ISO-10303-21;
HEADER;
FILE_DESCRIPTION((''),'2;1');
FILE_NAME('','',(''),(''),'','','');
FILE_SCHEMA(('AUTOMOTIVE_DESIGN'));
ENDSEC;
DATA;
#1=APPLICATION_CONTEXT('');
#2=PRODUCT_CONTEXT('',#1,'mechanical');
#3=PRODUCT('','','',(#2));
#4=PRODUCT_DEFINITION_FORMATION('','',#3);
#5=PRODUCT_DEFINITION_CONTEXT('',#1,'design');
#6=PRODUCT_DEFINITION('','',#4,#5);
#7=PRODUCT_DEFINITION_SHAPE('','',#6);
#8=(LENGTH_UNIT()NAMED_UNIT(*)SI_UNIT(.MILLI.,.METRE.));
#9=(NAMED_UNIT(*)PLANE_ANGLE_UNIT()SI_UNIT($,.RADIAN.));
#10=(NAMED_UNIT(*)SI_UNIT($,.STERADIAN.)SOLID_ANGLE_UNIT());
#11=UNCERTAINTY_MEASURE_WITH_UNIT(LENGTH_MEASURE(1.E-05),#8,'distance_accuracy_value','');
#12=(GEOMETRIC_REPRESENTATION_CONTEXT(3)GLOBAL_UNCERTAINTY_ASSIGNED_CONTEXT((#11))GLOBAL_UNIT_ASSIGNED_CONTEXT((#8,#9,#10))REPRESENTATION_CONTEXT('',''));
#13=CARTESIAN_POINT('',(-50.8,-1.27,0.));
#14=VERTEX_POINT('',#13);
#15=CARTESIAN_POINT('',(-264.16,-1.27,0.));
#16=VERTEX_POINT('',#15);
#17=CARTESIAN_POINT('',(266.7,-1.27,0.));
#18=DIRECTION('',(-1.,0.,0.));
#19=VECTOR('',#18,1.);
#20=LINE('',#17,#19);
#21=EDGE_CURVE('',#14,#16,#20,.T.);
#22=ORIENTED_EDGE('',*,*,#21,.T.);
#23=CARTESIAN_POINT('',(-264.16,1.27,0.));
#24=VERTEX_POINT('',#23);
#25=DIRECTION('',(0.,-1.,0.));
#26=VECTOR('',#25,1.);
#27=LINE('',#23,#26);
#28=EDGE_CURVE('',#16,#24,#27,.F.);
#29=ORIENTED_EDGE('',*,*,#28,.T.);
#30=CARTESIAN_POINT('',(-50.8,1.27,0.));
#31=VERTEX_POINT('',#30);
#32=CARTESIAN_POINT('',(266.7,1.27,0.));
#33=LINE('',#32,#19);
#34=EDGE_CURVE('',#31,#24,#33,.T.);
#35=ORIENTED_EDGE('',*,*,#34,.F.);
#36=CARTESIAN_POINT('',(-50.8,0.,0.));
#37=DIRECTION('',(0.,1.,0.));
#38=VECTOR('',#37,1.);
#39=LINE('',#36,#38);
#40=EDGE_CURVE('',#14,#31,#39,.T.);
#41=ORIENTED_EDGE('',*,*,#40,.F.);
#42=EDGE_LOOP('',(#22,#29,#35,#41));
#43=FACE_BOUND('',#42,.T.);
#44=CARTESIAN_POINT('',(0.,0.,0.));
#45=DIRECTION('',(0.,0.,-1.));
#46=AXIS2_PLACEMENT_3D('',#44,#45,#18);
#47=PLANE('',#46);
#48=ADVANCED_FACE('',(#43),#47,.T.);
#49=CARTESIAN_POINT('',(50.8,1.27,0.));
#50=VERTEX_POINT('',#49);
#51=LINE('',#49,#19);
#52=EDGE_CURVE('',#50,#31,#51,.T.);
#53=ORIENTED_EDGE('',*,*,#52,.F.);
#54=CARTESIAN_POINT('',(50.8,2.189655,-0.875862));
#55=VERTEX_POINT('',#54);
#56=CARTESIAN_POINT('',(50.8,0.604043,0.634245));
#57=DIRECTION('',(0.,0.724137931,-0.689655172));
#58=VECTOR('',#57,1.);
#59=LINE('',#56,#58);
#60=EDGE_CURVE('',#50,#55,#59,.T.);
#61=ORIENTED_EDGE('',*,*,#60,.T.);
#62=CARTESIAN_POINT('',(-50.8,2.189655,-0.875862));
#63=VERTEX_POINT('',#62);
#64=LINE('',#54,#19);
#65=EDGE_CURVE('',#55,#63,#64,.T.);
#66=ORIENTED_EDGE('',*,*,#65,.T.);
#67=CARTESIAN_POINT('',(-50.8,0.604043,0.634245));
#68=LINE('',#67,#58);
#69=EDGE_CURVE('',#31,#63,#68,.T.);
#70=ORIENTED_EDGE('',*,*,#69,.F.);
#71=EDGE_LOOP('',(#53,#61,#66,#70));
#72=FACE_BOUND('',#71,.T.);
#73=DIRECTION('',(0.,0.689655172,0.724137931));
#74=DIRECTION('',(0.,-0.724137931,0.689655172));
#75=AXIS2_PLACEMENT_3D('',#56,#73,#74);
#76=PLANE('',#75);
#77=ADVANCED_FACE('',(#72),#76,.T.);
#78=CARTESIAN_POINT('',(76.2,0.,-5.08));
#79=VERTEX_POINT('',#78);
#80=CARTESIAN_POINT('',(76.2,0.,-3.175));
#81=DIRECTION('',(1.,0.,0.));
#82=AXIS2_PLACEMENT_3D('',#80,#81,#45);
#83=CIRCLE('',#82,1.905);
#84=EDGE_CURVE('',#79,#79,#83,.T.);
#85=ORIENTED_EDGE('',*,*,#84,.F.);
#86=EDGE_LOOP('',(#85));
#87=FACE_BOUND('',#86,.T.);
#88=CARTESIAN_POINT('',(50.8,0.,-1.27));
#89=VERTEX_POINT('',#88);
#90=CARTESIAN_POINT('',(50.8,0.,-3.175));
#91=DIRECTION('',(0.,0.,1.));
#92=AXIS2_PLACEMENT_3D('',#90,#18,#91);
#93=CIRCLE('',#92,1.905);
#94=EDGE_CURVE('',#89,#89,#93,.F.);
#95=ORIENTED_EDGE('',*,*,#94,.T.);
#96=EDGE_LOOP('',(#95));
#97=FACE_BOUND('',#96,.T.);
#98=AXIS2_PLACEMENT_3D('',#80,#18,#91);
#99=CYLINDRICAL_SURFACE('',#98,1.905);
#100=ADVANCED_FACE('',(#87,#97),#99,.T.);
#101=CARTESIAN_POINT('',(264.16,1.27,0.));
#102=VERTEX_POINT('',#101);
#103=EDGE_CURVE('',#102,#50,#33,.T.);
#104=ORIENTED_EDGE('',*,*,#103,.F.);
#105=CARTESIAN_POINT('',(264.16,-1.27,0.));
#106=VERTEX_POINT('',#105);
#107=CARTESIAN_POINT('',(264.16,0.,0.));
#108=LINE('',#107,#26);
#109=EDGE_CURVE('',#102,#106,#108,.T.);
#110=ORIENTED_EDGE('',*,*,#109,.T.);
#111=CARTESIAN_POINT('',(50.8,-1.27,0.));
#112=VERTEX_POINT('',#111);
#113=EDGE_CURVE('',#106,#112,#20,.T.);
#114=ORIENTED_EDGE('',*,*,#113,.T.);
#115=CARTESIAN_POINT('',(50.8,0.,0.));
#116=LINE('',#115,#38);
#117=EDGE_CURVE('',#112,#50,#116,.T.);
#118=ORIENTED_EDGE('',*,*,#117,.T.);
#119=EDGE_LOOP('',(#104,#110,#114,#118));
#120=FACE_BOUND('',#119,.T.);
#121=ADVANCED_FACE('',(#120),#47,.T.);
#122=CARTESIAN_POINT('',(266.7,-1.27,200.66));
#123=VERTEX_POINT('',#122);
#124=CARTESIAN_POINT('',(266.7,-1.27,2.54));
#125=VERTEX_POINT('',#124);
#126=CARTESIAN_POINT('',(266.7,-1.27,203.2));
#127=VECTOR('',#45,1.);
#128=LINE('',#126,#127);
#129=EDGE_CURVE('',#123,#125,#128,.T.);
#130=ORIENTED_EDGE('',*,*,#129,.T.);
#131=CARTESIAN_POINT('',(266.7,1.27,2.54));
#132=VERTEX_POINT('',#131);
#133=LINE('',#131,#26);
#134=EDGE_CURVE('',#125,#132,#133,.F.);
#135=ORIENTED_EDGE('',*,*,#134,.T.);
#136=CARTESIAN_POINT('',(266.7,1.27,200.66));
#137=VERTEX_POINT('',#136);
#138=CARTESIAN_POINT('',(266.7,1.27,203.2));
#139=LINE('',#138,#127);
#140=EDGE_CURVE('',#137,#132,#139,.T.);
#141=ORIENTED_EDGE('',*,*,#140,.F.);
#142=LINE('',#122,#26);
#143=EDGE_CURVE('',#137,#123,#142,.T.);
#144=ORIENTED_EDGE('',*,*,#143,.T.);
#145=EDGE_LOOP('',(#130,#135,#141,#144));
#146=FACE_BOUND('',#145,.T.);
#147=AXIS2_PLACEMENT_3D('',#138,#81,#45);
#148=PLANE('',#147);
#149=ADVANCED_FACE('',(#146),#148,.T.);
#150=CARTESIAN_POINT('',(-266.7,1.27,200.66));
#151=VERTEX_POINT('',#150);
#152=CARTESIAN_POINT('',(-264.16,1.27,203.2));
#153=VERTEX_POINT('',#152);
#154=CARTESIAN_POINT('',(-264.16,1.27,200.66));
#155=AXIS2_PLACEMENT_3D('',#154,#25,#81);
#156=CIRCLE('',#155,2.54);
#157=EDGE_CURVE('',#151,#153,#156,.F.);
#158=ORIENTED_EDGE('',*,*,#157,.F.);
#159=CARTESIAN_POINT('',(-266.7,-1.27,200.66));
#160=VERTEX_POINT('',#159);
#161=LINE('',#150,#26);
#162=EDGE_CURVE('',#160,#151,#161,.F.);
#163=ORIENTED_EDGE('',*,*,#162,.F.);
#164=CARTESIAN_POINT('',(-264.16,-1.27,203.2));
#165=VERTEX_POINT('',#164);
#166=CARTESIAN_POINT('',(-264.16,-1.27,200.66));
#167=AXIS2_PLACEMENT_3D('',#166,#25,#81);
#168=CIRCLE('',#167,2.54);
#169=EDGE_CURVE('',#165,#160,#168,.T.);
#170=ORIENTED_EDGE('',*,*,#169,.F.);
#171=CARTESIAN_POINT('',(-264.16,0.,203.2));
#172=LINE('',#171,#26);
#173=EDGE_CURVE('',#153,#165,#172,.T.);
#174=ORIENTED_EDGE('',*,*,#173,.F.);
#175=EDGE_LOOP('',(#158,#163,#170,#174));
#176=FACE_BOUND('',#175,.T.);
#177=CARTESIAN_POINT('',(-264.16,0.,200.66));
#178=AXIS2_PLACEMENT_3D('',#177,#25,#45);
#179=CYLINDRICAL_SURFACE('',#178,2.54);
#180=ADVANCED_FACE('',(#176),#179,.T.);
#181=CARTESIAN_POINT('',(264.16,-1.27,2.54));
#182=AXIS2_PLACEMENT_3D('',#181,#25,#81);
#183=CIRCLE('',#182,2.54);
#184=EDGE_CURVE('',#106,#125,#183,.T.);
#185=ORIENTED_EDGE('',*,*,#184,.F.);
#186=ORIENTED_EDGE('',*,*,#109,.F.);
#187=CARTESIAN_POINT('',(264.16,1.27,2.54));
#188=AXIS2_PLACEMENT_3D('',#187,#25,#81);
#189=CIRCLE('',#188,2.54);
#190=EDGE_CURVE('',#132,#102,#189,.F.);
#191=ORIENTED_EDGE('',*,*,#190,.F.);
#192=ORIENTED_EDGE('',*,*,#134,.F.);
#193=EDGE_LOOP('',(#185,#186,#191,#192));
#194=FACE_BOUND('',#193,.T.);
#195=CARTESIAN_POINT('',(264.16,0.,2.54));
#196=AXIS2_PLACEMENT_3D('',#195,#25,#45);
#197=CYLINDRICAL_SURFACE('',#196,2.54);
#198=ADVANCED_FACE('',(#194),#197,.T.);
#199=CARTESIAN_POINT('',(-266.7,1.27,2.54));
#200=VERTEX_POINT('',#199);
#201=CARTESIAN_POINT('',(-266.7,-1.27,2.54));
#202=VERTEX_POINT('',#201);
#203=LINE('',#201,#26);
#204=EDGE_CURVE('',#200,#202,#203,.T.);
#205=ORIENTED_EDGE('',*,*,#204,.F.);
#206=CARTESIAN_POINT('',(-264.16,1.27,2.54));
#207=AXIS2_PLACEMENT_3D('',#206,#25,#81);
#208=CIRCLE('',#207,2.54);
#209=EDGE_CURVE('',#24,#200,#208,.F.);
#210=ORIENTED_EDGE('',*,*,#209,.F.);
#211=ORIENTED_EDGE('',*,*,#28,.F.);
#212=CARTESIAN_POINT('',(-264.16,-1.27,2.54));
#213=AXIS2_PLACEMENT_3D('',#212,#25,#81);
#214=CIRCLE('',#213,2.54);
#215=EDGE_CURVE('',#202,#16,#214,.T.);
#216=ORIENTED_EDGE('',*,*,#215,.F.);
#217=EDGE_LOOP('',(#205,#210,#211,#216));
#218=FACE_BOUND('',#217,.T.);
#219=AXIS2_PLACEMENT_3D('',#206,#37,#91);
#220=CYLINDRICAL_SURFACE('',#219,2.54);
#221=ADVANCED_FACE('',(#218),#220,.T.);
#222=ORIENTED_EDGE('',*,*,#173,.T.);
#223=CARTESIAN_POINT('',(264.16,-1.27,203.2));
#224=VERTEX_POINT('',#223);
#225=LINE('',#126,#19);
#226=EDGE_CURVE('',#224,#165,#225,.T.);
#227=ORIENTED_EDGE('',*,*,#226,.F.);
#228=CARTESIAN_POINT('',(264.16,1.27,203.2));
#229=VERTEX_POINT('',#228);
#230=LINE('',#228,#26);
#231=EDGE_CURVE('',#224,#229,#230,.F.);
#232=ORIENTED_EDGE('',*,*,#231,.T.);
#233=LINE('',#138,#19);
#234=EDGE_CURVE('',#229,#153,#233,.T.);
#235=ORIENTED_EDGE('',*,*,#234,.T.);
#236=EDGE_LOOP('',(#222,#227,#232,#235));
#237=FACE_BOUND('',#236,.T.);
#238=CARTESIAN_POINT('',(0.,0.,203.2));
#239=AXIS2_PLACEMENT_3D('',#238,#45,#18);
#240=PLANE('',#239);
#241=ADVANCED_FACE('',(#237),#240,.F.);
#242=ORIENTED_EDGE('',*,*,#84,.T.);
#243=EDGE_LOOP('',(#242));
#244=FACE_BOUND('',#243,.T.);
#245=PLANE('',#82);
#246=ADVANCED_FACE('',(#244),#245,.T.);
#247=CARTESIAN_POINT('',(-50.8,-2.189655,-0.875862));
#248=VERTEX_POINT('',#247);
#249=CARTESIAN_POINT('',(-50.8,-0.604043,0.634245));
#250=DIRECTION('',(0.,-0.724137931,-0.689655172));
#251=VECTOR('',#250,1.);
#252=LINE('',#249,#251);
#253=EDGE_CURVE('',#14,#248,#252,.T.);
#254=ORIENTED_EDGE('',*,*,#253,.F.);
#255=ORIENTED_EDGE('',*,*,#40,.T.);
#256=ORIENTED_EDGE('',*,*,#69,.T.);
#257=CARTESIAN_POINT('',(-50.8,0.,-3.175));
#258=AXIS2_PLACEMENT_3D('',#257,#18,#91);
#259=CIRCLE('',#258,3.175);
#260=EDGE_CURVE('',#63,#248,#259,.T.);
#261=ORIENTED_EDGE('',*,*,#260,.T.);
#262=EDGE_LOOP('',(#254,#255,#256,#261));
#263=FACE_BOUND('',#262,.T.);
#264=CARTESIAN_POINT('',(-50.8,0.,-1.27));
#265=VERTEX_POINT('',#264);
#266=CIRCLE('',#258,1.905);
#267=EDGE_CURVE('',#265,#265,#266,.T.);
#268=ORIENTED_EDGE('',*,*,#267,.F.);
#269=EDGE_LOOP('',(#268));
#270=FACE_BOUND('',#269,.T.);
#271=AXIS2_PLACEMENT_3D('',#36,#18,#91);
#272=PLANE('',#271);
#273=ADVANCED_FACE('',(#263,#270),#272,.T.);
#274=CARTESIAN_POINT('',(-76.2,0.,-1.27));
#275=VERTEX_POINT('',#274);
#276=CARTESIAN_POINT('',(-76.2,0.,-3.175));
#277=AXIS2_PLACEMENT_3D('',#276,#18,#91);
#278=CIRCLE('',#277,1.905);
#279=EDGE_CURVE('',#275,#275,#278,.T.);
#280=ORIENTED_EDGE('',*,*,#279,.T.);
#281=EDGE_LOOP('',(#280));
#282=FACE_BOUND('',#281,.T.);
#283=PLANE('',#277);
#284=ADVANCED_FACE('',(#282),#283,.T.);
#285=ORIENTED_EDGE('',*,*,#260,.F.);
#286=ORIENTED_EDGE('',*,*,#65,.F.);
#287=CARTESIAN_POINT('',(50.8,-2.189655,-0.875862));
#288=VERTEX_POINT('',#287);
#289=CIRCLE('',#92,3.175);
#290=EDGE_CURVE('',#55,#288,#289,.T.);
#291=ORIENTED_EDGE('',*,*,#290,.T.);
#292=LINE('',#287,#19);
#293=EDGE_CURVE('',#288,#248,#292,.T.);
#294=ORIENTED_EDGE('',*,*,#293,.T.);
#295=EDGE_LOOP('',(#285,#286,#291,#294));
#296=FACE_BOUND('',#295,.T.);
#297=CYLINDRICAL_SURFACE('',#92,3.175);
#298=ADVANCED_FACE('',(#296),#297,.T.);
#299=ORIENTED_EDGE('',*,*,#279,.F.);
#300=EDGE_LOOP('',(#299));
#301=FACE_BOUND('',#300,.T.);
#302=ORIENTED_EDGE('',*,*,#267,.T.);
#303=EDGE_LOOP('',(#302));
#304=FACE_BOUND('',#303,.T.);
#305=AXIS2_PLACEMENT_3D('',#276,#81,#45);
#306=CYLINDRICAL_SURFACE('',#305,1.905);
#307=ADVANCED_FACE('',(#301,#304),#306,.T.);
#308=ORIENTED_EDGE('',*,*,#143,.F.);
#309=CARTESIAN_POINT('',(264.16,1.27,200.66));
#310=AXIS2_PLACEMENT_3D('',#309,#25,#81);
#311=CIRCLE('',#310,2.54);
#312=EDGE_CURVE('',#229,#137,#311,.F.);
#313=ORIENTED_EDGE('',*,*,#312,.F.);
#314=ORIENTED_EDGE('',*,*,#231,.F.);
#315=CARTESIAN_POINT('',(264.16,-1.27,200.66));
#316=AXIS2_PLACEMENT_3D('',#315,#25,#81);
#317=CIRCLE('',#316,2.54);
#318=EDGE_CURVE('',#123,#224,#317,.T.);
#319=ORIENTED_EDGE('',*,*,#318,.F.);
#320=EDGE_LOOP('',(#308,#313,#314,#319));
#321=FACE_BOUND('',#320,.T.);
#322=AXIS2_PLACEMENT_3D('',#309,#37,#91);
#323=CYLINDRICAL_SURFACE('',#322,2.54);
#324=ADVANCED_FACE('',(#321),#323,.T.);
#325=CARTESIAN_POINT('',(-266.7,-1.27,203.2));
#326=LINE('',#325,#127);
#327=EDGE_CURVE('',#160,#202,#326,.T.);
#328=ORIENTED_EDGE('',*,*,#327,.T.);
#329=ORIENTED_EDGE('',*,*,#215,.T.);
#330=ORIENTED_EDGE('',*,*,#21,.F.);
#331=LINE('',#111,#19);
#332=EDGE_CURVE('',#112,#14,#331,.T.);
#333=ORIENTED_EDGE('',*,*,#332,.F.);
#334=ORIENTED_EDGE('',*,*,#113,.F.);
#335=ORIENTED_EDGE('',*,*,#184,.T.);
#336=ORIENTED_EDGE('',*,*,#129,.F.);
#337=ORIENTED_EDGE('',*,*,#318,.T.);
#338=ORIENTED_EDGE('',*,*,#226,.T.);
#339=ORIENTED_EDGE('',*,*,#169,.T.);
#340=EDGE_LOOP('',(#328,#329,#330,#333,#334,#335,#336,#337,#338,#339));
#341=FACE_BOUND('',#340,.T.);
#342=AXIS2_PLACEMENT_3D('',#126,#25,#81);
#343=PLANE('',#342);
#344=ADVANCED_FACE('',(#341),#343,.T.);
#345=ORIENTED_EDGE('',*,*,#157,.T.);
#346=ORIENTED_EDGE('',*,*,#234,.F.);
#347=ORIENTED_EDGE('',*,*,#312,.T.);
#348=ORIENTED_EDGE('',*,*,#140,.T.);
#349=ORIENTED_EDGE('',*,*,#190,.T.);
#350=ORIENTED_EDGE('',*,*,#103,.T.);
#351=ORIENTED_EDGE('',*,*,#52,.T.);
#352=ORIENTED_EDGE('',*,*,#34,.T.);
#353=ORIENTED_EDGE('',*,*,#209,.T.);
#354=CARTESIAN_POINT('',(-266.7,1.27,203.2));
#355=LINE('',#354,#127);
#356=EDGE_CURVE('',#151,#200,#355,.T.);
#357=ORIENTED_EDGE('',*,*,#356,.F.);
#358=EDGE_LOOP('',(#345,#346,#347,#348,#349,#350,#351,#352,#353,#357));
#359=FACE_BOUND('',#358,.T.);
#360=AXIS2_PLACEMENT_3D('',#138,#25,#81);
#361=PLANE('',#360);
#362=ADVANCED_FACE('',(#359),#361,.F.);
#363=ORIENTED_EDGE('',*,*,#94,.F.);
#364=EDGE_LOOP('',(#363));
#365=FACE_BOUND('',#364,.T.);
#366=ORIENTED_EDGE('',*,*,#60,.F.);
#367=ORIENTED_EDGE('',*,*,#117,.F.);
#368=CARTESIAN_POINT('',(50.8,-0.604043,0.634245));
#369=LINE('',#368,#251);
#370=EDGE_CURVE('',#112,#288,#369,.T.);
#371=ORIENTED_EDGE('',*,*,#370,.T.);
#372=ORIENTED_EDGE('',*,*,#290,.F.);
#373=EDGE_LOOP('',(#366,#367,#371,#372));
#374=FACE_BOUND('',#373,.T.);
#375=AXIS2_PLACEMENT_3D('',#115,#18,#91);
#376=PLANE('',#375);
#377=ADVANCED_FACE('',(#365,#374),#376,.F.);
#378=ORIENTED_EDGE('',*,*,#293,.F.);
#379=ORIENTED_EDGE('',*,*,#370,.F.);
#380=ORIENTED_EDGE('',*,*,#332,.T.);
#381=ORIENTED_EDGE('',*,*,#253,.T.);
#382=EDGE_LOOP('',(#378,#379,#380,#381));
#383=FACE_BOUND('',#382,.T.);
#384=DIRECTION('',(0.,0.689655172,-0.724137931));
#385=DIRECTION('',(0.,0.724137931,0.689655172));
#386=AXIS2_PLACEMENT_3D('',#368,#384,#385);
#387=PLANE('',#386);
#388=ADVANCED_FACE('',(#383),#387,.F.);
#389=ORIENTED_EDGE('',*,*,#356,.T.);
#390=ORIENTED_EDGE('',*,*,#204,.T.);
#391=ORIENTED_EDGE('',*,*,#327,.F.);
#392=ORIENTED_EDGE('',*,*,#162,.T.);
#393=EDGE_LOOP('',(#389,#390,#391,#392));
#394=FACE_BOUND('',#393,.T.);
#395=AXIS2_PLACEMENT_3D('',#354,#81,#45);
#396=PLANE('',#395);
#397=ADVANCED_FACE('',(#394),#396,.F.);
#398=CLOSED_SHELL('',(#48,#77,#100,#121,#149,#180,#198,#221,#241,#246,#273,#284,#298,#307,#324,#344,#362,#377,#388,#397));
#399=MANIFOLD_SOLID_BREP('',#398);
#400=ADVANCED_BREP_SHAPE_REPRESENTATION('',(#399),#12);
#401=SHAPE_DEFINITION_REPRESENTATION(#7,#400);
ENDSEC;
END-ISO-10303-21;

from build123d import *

# Parameters (mm, degrees)
SKETCH1_W           = 533.4
SKETCH1_H           = 2.54
BOSS_EXTRUDE1_DEPTH = 203.2
FILLET1_R           = 2.54
SKETCH3_R           = 3.175
BOSS_EXTRUDE2_DEPTH = 101.6
SKETCH5_R           = 1.905
BOSS_EXTRUDE3_DEPTH = 25.4
BOSS_EXTRUDE4_START = 25.4
SKETCH6_R           = 1.905
BOSS_EXTRUDE4_DEPTH = 25.4


with BuildPart() as part:
    # Sketch1 → Boss-Extrude1 (new body)
    with BuildSketch(Plane.XY):
        Rectangle(SKETCH1_W, SKETCH1_H)
    extrude(amount=BOSS_EXTRUDE1_DEPTH)

    # Fillet1
    fillet1_edges = [part.edges().sort_by_distance(p)[0] for p in [
        (-266.7, 0, 203.2),
        (266.7, 0, 203.2),
        (-266.7, 0, 0),
        (266.7, 0, 0),
    ]]
    fillet(fillet1_edges, radius=FILLET1_R)

    # Sketch3 → Boss-Extrude2 (add)
    with BuildSketch(Plane.ZY.offset(50.8)):
        with BuildLine():
            ThreePointArc((-0.875862069, 2.189655172), (-0.227086506, 1.179165397), (0, 0))
            Line((0, 0), (0, 1.27))
            Line((0, 1.27), (-0.875862069, 2.189655172))
        make_face()
        with BuildLine():
            Line((-0.875862069, -2.189655172), (0, -1.27))
            Line((0, -1.27), (0, 0))
            ThreePointArc((0, 0), (-0.227086506, -1.179165397), (-0.875862069, -2.189655172))
        make_face()
        with Locations((-3.175, 0)):
            Circle(SKETCH3_R)
    extrude(amount=-BOSS_EXTRUDE2_DEPTH)

    # Sketch5 → Boss-Extrude3 (add)
    with BuildSketch(Plane.ZY.offset(50.8)):
        with Locations((-3.175, 0)):
            Circle(SKETCH5_R)
    extrude(amount=BOSS_EXTRUDE3_DEPTH)

    # Sketch6 → Boss-Extrude4 (add)
    with BuildSketch(Plane(origin=(50.8, 0, 0), x_dir=(0, 0, -1), z_dir=(1, 0, 0)).offset(BOSS_EXTRUDE4_START)):
        with Locations(Location((3.175, 0, 0), (0, 0, 180))):
            Circle(SKETCH6_R)
    extrude(amount=-BOSS_EXTRUDE4_DEPTH)


solid = part.part
